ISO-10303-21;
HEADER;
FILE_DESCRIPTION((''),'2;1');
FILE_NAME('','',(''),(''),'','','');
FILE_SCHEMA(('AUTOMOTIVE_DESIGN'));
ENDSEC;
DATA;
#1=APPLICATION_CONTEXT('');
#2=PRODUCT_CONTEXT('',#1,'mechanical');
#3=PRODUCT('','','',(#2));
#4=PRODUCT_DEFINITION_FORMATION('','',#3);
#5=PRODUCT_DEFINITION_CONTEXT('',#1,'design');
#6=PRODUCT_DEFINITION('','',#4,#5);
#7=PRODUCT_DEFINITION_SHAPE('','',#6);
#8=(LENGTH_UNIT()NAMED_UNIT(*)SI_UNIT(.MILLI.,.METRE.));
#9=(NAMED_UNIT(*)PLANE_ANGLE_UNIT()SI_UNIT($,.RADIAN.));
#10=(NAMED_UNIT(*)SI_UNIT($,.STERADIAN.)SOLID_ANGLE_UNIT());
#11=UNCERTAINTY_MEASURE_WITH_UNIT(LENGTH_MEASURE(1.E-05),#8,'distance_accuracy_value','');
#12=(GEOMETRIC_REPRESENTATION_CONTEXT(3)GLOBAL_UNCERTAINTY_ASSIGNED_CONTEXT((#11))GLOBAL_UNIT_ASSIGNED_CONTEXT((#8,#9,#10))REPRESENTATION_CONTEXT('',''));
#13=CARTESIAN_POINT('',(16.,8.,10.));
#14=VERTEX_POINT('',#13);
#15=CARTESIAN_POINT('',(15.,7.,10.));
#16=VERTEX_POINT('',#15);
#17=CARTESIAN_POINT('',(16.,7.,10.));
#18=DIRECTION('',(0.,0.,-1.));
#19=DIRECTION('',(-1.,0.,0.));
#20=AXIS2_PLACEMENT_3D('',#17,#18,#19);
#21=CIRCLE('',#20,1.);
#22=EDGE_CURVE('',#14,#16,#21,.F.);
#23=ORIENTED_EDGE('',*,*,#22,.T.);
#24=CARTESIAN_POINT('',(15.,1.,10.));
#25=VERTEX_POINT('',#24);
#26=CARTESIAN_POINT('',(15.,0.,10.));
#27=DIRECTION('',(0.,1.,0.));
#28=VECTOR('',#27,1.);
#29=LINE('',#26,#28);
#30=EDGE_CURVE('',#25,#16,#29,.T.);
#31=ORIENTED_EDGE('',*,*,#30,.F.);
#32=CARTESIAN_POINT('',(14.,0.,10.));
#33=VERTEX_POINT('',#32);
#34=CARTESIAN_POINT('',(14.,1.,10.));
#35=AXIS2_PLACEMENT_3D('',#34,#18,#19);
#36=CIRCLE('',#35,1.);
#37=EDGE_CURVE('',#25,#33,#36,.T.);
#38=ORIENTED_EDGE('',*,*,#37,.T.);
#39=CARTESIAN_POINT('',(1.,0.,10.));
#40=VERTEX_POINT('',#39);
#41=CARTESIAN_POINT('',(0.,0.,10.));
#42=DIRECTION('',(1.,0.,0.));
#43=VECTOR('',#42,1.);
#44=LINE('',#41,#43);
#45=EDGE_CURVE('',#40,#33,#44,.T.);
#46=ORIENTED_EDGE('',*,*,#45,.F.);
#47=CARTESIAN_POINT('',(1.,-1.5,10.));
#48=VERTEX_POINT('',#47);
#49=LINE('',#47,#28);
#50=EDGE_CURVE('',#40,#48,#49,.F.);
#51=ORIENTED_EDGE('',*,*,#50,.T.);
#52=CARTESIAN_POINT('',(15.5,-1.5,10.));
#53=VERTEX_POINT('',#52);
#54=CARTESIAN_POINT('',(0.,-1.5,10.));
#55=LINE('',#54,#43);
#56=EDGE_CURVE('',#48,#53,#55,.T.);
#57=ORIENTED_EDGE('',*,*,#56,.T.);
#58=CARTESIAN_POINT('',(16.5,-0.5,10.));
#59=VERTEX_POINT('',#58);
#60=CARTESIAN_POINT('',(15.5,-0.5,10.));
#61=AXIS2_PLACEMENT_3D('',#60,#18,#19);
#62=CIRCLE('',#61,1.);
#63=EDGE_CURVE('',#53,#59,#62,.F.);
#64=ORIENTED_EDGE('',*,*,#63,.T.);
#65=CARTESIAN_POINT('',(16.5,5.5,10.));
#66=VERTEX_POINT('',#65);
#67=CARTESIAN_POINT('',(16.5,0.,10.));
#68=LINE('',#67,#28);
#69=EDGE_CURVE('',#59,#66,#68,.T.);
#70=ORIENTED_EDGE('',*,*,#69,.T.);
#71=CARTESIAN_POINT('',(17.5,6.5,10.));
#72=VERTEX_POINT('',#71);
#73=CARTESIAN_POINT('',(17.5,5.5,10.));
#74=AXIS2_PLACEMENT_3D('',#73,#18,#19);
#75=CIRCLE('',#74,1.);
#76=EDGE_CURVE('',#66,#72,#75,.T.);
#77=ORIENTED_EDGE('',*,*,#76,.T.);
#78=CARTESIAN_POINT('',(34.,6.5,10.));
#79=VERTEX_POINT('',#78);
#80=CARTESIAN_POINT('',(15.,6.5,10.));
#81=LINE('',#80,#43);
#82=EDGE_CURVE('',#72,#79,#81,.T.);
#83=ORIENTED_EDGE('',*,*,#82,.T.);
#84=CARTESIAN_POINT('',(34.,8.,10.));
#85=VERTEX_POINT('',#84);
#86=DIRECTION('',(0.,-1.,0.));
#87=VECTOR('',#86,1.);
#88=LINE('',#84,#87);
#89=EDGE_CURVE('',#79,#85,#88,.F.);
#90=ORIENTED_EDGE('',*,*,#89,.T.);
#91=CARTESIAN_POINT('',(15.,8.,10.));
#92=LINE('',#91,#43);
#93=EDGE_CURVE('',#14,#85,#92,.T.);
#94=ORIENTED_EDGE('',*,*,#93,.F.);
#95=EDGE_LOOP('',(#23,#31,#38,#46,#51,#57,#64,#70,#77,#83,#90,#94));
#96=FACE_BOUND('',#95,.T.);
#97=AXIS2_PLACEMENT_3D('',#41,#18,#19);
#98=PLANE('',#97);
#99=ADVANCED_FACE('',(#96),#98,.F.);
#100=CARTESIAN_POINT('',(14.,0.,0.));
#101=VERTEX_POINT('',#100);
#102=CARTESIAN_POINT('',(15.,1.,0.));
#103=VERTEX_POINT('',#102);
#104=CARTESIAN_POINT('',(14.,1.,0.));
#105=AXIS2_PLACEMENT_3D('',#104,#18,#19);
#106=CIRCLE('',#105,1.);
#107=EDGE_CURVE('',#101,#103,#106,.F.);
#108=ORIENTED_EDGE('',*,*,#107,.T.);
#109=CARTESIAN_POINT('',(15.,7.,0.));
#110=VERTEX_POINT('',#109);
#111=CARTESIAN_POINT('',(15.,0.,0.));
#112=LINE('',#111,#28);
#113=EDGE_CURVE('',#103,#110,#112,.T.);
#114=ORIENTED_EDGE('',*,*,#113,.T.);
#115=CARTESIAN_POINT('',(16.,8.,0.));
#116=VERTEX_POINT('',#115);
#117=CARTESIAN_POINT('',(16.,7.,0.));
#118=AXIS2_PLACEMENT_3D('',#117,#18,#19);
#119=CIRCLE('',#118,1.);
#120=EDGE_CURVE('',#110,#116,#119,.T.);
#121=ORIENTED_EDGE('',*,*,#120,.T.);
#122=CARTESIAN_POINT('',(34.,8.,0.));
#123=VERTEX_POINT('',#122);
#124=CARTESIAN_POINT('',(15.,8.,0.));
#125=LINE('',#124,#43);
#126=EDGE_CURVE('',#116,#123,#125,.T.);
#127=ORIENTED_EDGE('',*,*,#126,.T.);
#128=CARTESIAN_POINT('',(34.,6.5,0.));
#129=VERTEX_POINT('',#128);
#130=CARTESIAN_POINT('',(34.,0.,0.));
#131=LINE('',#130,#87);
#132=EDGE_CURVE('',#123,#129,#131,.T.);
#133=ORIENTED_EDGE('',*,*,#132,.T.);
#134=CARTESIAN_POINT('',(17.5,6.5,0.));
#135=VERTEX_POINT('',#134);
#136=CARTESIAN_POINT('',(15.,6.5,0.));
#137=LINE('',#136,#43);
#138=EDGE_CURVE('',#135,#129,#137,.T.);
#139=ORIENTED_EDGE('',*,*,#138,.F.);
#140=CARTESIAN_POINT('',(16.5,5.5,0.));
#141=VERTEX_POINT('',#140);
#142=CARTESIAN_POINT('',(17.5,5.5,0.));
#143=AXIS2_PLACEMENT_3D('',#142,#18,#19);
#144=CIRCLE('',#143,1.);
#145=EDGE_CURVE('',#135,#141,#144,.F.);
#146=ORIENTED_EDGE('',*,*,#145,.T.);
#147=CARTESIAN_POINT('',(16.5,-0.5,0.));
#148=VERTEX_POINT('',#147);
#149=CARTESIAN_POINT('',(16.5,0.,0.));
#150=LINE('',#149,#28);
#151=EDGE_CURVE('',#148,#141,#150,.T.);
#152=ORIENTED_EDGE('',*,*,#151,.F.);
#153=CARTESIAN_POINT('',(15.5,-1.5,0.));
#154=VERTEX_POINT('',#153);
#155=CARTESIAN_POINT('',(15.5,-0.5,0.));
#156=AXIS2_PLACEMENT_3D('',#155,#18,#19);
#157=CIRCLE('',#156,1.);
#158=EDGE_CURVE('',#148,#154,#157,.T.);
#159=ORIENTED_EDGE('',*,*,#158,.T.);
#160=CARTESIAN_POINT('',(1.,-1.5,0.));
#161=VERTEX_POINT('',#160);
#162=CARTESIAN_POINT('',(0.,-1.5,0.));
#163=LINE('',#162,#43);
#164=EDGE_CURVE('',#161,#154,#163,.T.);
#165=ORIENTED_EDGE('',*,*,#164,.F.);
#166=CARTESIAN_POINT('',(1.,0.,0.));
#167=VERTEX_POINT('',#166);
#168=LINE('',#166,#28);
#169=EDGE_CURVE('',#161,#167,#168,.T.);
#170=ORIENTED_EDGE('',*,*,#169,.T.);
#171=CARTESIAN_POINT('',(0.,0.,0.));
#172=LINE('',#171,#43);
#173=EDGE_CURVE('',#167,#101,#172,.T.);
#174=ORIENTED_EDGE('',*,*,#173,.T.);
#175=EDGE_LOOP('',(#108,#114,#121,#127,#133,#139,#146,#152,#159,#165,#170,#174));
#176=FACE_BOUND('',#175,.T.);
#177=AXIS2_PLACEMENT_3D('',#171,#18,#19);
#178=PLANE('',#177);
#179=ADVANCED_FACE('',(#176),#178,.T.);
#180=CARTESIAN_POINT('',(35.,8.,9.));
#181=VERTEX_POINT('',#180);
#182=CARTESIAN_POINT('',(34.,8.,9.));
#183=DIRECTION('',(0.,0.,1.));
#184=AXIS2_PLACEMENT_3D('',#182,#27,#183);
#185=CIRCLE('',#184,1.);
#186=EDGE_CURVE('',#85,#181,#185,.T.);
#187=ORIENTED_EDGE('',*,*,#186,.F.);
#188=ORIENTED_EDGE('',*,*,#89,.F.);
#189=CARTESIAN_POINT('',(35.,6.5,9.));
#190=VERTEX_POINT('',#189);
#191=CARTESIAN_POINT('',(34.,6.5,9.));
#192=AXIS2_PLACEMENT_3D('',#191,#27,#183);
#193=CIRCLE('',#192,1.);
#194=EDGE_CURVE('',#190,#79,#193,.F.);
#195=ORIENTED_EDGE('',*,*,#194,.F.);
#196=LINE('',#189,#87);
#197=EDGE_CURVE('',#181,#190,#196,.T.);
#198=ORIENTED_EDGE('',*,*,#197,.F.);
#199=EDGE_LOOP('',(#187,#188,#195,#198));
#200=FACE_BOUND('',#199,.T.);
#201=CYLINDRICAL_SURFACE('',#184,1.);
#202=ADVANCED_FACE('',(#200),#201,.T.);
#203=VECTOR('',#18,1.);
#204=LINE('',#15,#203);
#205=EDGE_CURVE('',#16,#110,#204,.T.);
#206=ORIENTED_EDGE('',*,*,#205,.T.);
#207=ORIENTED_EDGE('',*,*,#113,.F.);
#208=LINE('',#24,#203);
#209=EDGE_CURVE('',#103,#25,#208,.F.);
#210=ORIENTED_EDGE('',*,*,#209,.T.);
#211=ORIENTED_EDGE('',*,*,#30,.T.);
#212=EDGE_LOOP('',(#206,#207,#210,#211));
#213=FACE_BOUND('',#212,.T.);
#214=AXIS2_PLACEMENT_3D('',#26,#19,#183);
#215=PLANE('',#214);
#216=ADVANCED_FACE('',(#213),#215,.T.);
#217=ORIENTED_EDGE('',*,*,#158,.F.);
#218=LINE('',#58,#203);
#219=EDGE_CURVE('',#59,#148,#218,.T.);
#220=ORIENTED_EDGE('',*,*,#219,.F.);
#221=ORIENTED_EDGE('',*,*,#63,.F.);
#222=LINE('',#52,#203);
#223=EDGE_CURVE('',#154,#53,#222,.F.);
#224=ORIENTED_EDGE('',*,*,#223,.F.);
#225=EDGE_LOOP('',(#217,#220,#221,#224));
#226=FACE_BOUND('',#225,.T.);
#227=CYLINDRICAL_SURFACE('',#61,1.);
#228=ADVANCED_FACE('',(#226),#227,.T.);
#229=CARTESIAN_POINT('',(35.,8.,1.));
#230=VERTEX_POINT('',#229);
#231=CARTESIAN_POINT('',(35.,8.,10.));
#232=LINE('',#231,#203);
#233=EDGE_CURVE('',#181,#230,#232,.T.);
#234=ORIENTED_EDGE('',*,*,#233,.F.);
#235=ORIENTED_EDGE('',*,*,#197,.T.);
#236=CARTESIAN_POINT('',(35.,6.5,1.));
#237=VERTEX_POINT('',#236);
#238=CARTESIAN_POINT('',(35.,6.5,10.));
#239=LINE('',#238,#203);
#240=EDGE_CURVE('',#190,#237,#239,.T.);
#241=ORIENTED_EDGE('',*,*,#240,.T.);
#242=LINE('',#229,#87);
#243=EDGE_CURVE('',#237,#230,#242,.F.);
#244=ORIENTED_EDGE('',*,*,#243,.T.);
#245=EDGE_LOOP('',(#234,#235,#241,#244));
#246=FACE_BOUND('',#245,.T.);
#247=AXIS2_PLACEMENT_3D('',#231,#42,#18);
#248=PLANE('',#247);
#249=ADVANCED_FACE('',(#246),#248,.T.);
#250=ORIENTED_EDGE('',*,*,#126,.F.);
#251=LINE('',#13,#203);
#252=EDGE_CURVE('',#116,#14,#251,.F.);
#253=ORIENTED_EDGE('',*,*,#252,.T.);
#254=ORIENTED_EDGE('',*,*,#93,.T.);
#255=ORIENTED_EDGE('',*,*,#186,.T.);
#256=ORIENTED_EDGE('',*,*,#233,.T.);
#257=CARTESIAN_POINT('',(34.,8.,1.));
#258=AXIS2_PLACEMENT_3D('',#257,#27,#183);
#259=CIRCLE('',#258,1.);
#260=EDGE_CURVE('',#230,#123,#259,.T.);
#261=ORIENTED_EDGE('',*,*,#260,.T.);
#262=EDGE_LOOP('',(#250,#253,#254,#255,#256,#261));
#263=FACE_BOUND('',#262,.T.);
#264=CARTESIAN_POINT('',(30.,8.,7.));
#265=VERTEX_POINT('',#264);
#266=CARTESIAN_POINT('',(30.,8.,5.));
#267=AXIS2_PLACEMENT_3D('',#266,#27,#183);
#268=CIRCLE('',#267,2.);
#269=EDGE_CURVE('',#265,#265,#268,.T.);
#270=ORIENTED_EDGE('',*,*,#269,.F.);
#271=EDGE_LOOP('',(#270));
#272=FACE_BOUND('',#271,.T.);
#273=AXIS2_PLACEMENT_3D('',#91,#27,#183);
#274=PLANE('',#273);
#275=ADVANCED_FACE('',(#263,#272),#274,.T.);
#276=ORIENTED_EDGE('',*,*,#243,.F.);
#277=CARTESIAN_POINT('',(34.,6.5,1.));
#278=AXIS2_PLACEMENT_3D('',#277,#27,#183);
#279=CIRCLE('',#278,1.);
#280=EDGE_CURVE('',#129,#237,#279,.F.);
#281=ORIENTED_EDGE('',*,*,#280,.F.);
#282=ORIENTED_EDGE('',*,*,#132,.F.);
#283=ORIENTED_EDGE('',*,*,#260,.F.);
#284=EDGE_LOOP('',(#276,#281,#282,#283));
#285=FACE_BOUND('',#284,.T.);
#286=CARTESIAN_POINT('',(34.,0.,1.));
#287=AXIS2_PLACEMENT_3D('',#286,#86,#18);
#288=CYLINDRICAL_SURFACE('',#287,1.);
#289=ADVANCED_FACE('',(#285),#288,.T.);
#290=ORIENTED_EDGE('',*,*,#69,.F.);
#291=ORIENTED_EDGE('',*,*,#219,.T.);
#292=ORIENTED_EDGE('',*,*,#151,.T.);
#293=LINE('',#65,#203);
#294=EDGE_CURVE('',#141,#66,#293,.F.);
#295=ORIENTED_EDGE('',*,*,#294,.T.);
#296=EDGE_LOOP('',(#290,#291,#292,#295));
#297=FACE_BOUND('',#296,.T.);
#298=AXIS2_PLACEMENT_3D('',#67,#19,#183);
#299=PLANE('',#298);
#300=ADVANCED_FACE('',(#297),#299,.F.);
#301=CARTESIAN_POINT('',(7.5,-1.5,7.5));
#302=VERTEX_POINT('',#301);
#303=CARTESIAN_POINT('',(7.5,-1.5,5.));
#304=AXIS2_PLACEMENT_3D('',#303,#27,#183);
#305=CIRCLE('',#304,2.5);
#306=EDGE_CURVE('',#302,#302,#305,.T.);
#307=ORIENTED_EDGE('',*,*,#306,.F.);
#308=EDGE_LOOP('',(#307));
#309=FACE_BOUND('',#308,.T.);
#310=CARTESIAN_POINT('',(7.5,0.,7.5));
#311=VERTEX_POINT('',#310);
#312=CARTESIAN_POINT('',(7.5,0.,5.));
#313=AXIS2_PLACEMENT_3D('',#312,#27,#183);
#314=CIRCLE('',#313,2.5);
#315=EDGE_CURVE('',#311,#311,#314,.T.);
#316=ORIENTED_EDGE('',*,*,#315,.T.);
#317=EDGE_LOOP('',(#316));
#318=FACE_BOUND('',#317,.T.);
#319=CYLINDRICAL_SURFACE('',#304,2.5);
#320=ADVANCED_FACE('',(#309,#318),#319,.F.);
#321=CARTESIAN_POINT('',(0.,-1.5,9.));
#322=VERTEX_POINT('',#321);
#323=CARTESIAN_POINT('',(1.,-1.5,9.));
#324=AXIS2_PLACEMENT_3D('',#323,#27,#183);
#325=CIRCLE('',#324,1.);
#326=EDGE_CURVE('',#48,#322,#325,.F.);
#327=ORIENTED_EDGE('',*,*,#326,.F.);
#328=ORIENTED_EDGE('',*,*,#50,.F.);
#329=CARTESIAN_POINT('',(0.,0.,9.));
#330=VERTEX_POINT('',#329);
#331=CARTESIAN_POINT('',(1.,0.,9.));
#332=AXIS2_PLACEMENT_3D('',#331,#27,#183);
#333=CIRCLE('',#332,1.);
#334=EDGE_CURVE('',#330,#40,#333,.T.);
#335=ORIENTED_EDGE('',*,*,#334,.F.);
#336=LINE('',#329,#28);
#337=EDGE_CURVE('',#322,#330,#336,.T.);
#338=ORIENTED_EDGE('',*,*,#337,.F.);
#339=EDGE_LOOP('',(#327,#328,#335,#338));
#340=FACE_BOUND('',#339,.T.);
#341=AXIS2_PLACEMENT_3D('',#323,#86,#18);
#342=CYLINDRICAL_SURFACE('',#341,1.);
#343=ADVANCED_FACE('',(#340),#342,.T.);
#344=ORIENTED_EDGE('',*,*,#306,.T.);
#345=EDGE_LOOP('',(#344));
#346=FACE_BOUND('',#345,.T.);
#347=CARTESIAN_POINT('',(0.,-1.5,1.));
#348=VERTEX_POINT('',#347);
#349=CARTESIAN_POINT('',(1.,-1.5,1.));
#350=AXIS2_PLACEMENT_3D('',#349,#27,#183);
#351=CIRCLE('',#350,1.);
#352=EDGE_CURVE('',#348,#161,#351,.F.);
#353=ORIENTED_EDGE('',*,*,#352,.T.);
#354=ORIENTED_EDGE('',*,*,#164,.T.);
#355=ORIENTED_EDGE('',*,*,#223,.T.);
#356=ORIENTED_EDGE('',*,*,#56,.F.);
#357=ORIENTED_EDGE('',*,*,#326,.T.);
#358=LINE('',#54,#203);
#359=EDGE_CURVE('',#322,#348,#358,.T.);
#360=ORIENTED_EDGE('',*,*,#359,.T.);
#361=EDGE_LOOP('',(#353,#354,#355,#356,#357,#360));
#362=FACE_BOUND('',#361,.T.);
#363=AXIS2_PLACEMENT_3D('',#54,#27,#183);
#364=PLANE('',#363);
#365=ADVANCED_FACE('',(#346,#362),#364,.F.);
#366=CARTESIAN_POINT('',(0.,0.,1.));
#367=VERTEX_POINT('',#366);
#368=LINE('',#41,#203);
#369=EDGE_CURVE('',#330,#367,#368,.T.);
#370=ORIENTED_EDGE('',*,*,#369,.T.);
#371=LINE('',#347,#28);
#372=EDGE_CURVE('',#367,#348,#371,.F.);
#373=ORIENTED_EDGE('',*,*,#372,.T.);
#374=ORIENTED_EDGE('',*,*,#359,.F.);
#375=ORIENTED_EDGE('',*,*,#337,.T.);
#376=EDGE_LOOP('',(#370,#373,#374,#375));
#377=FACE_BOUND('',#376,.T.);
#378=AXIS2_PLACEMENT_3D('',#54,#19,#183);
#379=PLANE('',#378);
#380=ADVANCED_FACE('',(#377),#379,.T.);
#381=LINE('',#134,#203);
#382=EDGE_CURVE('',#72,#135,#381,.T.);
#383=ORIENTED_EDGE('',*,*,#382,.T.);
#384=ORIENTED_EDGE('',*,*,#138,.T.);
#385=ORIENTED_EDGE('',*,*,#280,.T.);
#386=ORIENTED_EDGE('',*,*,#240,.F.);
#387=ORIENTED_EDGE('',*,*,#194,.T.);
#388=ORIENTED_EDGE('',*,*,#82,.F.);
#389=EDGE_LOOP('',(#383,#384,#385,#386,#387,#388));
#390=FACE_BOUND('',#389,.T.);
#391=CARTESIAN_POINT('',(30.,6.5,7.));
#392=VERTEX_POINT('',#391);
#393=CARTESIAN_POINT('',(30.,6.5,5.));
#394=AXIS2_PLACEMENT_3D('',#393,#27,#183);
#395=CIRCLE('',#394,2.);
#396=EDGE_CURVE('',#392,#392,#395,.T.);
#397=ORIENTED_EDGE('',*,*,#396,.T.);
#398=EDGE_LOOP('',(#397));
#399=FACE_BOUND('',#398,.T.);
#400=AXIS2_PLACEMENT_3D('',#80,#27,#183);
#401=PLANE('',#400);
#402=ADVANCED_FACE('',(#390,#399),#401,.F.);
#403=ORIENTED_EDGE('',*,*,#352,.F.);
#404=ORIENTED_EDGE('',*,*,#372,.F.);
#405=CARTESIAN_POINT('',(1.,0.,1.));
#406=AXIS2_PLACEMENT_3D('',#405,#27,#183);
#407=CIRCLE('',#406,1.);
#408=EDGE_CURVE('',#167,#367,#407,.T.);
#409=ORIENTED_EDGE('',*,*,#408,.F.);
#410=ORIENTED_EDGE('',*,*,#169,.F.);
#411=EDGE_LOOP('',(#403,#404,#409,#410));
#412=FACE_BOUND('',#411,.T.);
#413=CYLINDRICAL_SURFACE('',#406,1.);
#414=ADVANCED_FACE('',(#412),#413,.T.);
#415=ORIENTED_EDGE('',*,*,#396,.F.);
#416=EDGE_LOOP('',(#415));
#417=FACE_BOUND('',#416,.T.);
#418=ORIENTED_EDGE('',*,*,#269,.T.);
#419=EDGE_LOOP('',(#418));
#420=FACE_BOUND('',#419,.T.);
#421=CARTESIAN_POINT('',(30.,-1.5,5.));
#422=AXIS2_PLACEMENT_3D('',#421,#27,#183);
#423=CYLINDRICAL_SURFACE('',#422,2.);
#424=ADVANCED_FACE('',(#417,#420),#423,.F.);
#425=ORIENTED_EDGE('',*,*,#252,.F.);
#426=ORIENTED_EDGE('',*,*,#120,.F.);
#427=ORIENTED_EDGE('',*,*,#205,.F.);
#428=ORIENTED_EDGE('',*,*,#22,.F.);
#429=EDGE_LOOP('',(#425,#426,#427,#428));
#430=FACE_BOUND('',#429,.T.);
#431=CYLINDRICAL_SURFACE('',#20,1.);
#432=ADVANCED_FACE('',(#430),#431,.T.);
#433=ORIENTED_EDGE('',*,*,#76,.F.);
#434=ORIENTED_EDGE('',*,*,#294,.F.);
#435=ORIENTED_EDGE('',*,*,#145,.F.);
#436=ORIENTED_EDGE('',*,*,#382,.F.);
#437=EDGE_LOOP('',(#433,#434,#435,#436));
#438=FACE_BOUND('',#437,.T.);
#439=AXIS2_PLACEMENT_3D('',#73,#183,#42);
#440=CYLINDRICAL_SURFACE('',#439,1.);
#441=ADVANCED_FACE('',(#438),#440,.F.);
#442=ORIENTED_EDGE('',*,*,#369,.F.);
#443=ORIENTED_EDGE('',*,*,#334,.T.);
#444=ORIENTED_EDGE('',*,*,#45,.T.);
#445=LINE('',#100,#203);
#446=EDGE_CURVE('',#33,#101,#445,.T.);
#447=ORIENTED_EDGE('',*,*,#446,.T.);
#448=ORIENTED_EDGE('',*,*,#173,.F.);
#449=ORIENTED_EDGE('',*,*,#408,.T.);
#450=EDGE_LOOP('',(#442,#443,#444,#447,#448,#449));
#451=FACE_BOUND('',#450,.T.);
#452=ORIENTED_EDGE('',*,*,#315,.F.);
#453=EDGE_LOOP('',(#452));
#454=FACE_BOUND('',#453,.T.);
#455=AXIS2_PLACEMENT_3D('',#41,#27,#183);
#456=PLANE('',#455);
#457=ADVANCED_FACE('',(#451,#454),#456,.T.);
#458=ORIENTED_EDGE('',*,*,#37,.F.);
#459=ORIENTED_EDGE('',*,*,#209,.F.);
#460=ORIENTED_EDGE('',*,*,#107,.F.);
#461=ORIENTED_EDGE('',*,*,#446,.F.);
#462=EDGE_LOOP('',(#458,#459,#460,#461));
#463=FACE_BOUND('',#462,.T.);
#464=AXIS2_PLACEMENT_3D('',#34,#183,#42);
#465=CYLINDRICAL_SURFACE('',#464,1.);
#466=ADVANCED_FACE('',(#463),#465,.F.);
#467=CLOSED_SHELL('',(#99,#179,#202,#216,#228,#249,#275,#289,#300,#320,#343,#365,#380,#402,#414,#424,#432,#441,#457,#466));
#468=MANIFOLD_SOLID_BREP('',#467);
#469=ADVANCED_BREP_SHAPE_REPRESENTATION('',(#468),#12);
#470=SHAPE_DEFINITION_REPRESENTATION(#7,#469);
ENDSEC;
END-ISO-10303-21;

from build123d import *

# Parameters (mm, degrees)
EXTRUDE_THIN1_DEPTH = 10
SKETCH2_R           = 2
SKETCH2_R_2         = 2.5
CUT_EXTRUDE1_DEPTH  = 38.619808612
FILLET2_R           = 1


with BuildPart() as part:
    # Sketch1 → Extrude-Thin1 (new body)
    with BuildSketch(Plane.XY):
        Polygon((0, 0), (15, 0), (15, 8), (35, 8), (35, 6.5), (16.5, 6.5), (16.5, -1.5), (0, -1.5), align=None)
    extrude(amount=EXTRUDE_THIN1_DEPTH)

    # Sketch2 → Cut-Extrude1 (cut, through all)
    with BuildSketch(Plane(origin=(0, 8, 0), x_dir=(1, 0, 0), z_dir=(0, 1, 0))):
        with Locations(Location((30, -5, 0), (0, 0, 270))):
            Circle(SKETCH2_R)
        with Locations(Location((7.5, -5, 0), (0, 0, 270))):
            Circle(SKETCH2_R_2)
    extrude(amount=-CUT_EXTRUDE1_DEPTH, mode=Mode.SUBTRACT)

    # Fillet2
    fillet2_edges = [part.edges().sort_by_distance(p)[0] for p in [
        (16.5, 6.5, 5),
        (16.5, -1.5, 5),
        (15, 0, 5),
        (15, 8, 5),
        (0, -0.75, 10),
        (0, -0.75, 0),
        (35, 7.25, 10),
        (35, 7.25, 0),
    ]]
    fillet(fillet2_edges, radius=FILLET2_R)


solid = part.part
